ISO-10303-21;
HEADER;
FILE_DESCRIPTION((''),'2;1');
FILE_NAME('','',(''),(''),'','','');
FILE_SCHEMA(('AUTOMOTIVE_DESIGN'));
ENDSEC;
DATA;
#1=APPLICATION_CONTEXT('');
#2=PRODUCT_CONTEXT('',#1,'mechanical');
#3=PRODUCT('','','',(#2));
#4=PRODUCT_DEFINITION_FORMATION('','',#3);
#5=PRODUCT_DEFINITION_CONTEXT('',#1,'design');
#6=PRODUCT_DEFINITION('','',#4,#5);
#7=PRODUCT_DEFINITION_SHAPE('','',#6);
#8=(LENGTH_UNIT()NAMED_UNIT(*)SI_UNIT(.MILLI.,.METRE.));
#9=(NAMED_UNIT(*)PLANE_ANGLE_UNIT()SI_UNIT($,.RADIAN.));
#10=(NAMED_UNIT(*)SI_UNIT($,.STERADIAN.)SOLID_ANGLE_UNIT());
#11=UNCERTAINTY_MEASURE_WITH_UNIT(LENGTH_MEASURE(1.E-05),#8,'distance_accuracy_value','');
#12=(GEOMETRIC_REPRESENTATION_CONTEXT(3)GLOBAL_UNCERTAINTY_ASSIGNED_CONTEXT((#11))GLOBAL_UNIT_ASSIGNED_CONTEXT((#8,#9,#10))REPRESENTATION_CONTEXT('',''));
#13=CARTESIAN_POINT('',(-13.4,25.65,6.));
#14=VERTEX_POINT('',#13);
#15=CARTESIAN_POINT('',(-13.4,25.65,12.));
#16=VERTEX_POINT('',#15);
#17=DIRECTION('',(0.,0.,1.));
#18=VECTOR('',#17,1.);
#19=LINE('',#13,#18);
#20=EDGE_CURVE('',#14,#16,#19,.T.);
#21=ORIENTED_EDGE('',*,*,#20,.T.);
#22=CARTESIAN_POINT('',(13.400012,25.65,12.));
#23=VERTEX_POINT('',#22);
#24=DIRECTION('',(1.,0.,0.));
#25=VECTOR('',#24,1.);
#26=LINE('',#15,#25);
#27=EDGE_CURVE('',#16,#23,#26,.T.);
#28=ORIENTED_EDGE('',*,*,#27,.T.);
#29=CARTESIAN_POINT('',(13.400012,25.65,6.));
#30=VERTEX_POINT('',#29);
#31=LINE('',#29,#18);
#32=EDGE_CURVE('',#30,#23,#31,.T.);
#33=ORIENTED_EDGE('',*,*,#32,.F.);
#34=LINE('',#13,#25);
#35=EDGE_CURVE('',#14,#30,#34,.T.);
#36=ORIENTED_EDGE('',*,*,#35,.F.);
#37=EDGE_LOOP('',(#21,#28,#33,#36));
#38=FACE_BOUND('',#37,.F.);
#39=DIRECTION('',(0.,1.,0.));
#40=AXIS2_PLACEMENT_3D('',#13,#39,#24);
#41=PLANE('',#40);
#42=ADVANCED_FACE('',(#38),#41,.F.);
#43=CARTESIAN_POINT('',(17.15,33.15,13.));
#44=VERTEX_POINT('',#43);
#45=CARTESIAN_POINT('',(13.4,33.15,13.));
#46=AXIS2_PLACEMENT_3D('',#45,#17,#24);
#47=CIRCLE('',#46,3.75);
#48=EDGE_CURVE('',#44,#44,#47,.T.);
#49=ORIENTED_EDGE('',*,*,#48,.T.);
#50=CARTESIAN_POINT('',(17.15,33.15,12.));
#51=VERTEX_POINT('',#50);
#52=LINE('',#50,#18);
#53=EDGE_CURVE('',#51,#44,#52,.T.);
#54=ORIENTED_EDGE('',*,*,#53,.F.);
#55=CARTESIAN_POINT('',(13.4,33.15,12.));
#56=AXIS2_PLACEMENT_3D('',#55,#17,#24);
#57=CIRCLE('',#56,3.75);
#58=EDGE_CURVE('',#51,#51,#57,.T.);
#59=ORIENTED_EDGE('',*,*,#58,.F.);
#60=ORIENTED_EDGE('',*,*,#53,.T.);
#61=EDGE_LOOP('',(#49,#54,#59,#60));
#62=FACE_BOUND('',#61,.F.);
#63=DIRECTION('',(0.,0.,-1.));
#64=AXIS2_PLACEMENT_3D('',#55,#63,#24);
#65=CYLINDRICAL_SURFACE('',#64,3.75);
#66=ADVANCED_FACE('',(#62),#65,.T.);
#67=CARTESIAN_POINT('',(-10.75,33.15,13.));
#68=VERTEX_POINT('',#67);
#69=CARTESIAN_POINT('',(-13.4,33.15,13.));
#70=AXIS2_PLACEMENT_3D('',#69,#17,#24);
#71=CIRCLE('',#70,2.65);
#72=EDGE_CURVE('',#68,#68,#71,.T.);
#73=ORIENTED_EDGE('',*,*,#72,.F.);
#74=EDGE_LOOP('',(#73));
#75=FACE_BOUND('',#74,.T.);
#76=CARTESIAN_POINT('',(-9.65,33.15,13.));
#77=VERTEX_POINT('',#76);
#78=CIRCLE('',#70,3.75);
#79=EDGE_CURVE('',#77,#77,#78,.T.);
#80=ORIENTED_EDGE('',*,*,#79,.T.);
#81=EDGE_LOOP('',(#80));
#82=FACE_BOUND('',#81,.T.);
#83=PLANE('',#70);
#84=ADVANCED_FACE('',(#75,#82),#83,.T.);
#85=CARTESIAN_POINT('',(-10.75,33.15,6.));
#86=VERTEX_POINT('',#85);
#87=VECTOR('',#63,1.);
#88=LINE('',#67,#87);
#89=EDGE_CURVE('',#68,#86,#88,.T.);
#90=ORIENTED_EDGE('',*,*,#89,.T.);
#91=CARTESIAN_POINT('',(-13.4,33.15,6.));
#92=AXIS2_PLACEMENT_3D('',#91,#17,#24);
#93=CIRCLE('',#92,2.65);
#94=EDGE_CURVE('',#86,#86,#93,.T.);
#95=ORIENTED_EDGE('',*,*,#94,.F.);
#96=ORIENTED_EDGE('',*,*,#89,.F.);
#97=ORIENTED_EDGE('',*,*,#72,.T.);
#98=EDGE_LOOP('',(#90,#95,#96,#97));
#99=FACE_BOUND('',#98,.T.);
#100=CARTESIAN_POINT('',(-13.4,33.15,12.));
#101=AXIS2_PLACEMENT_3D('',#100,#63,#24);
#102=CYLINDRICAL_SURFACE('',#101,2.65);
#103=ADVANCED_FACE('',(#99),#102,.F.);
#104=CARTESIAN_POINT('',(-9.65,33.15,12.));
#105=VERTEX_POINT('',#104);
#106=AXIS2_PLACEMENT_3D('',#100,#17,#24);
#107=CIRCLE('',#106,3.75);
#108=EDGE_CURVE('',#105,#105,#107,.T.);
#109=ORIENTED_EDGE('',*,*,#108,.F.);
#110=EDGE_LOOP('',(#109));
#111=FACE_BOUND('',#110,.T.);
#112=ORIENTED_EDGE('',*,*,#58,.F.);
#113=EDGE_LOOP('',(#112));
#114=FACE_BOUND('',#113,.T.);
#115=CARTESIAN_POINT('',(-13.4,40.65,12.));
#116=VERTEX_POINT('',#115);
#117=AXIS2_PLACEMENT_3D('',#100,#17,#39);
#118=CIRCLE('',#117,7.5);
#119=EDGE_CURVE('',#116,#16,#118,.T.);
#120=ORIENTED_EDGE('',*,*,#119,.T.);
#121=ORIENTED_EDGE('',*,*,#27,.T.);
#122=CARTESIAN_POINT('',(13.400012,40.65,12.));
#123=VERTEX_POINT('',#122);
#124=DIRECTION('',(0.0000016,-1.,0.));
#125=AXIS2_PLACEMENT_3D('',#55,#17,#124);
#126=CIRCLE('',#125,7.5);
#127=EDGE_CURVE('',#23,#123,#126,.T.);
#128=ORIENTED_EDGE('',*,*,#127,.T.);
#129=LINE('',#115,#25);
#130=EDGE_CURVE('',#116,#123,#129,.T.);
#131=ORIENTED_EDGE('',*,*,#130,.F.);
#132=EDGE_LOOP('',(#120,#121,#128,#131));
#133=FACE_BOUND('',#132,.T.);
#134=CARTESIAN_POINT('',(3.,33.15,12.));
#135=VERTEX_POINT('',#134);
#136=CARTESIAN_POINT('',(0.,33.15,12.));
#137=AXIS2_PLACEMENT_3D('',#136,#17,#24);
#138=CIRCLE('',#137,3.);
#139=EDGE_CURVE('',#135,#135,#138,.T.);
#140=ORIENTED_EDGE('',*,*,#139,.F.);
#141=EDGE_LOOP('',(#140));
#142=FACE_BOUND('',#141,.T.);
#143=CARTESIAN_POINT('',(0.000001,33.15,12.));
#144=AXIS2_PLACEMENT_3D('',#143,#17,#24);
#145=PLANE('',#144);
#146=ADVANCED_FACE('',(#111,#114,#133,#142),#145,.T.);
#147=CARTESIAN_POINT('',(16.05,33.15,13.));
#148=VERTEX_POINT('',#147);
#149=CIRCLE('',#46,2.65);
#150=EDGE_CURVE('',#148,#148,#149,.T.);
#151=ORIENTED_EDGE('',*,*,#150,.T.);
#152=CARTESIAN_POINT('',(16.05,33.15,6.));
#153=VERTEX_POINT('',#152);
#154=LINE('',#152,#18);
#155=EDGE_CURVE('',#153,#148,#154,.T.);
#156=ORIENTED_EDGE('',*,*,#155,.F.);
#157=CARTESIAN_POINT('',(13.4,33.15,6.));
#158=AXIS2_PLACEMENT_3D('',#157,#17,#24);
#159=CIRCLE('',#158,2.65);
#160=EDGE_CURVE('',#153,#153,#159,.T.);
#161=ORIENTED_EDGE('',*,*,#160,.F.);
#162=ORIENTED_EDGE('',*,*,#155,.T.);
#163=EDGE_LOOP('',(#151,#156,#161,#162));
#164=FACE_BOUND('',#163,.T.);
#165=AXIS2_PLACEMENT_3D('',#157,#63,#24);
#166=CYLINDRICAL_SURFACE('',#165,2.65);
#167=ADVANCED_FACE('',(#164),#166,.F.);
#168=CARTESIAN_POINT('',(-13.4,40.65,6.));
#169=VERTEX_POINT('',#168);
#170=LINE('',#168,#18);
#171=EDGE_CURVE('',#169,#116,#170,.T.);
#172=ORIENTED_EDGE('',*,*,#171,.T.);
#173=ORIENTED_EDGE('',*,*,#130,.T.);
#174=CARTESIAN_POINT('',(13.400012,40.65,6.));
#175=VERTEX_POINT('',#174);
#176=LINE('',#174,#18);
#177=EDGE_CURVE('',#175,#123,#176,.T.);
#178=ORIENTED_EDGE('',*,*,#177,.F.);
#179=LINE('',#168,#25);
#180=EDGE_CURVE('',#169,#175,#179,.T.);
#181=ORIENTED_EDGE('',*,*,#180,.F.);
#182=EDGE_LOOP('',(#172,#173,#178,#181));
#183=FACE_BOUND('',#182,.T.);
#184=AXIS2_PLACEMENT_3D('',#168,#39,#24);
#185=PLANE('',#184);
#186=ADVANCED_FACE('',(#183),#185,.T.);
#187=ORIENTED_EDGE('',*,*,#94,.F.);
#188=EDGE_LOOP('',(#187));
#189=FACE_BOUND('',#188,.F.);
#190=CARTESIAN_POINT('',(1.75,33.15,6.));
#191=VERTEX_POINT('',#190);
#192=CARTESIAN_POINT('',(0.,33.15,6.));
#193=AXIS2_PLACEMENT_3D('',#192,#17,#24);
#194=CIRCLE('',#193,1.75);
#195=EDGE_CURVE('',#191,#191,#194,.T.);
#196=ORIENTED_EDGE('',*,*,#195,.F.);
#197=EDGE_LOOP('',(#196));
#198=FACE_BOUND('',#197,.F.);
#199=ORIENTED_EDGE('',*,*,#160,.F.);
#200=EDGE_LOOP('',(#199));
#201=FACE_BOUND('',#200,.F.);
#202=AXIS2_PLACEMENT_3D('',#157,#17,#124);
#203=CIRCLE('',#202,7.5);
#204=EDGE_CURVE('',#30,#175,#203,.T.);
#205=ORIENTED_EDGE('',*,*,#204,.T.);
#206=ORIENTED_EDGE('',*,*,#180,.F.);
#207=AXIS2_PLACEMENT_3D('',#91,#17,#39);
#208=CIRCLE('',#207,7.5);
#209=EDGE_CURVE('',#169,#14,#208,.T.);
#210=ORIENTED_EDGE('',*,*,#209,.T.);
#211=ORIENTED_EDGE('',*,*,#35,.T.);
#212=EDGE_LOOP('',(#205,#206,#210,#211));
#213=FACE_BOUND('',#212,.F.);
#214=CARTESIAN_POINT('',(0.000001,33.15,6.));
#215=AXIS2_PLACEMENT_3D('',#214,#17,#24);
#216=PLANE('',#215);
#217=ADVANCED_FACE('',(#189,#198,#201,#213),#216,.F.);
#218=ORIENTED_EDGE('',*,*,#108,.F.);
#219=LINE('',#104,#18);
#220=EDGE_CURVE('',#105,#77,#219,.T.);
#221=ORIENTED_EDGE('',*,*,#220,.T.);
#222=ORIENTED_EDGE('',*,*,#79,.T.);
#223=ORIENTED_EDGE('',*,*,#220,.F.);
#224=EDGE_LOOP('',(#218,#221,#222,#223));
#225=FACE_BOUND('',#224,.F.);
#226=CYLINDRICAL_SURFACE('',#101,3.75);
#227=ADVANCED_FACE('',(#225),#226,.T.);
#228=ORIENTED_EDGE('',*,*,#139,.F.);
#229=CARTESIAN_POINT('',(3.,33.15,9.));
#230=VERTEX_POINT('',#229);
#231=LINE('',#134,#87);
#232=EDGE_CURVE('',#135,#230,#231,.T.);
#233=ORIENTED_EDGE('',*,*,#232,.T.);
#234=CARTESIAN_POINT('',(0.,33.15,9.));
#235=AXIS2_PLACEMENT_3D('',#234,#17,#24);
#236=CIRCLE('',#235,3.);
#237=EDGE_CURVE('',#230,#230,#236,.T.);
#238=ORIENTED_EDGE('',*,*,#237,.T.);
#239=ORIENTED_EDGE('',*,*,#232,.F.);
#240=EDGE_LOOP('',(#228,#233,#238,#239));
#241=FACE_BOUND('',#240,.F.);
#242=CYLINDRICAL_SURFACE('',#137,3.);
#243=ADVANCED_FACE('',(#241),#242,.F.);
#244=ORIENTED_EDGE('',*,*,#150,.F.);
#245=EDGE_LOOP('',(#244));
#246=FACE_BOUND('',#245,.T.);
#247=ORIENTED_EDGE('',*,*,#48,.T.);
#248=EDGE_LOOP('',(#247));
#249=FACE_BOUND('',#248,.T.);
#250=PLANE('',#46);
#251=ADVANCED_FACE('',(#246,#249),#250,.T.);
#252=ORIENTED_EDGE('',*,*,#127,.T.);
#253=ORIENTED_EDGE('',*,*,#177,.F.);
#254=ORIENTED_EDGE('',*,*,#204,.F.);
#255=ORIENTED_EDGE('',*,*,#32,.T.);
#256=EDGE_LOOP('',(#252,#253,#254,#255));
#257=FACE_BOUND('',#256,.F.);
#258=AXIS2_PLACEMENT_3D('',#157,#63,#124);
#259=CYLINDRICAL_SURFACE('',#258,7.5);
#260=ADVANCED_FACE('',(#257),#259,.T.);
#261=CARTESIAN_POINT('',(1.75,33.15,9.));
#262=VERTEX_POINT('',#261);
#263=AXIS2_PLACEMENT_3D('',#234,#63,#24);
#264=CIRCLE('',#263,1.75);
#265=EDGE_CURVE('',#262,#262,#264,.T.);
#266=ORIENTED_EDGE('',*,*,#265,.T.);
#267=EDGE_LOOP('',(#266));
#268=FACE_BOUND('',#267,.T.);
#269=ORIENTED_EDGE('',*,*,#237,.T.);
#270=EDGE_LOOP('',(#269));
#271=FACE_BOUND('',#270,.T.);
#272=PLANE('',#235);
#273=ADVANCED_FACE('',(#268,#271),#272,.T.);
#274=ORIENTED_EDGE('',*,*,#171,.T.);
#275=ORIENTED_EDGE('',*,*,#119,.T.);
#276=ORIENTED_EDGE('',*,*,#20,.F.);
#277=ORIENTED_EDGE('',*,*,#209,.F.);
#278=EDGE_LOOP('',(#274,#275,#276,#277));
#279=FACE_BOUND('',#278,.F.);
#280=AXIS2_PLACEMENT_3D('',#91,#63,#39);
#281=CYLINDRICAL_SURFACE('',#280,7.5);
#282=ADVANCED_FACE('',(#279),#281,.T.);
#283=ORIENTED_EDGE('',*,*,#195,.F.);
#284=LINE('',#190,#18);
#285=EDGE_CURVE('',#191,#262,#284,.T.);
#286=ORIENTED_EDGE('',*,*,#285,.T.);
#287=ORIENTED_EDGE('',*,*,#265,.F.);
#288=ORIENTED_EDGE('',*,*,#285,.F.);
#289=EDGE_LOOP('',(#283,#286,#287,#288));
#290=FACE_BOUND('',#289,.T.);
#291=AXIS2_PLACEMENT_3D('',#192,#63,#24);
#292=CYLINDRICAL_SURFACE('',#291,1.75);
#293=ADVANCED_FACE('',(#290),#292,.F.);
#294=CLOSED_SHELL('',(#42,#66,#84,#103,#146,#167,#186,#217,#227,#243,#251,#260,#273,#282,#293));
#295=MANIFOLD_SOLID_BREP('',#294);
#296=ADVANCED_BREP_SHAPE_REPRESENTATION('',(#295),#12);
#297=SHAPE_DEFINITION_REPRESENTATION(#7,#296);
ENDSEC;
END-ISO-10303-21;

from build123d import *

# Parameters (mm, degrees)
SKETCH009_R     = 2.65
SKETCH009_R_2   = 1.75
PAD003_DEPTH    = 6
SKETCH010_R     = 3.75
SKETCH010_R_2   = 2.65
PAD004_DEPTH    = 1
SKETCH011_R     = 3
POCKET006_DEPTH = 3


with BuildPart() as part:
    # Sketch009 (on Face6 of Binder) → Pad003 (new body)
    with BuildSketch(Plane.XY.offset(6)):
        with BuildLine():
            ThreePointArc((-13.4, 40.65), (-20.9, 33.15), (-13.4, 25.65))
            Line((-13.4, 25.65), (13.400012, 25.65))
            ThreePointArc((13.400012, 25.65), (20.9, 33.15), (13.400012, 40.65))
            Line((-13.4, 40.65), (13.400012, 40.65))
        make_face()
        with Locations((-13.4, 33.15)):
            Circle(SKETCH009_R, mode=Mode.SUBTRACT)
        with Locations((13.4, 33.15)):
            Circle(SKETCH009_R, mode=Mode.SUBTRACT)
        with Locations((0, 33.15)):
            Circle(SKETCH009_R_2, mode=Mode.SUBTRACT)
    extrude(amount=PAD003_DEPTH)

    # Sketch010 (on Face9 of Pad003) → Pad004 (join)
    with BuildSketch(Plane.XY.offset(12)):
        with Locations((-13.4, 33.15)):
            Circle(SKETCH010_R)
        with Locations((-13.4, 33.15)):
            Circle(SKETCH010_R_2, mode=Mode.SUBTRACT)
        with Locations((13.4, 33.15)):
            Circle(SKETCH010_R)
        with Locations((13.4, 33.15)):
            Circle(SKETCH010_R_2, mode=Mode.SUBTRACT)
    extrude(amount=PAD004_DEPTH)

    # Sketch011 (on Face5 of Pad004) → Pocket006 (cut)
    with BuildSketch(Plane.XY.offset(12)):
        with Locations((0, 33.15)):
            Circle(SKETCH011_R)
    extrude(amount=-POCKET006_DEPTH, mode=Mode.SUBTRACT)


solid = part.part
